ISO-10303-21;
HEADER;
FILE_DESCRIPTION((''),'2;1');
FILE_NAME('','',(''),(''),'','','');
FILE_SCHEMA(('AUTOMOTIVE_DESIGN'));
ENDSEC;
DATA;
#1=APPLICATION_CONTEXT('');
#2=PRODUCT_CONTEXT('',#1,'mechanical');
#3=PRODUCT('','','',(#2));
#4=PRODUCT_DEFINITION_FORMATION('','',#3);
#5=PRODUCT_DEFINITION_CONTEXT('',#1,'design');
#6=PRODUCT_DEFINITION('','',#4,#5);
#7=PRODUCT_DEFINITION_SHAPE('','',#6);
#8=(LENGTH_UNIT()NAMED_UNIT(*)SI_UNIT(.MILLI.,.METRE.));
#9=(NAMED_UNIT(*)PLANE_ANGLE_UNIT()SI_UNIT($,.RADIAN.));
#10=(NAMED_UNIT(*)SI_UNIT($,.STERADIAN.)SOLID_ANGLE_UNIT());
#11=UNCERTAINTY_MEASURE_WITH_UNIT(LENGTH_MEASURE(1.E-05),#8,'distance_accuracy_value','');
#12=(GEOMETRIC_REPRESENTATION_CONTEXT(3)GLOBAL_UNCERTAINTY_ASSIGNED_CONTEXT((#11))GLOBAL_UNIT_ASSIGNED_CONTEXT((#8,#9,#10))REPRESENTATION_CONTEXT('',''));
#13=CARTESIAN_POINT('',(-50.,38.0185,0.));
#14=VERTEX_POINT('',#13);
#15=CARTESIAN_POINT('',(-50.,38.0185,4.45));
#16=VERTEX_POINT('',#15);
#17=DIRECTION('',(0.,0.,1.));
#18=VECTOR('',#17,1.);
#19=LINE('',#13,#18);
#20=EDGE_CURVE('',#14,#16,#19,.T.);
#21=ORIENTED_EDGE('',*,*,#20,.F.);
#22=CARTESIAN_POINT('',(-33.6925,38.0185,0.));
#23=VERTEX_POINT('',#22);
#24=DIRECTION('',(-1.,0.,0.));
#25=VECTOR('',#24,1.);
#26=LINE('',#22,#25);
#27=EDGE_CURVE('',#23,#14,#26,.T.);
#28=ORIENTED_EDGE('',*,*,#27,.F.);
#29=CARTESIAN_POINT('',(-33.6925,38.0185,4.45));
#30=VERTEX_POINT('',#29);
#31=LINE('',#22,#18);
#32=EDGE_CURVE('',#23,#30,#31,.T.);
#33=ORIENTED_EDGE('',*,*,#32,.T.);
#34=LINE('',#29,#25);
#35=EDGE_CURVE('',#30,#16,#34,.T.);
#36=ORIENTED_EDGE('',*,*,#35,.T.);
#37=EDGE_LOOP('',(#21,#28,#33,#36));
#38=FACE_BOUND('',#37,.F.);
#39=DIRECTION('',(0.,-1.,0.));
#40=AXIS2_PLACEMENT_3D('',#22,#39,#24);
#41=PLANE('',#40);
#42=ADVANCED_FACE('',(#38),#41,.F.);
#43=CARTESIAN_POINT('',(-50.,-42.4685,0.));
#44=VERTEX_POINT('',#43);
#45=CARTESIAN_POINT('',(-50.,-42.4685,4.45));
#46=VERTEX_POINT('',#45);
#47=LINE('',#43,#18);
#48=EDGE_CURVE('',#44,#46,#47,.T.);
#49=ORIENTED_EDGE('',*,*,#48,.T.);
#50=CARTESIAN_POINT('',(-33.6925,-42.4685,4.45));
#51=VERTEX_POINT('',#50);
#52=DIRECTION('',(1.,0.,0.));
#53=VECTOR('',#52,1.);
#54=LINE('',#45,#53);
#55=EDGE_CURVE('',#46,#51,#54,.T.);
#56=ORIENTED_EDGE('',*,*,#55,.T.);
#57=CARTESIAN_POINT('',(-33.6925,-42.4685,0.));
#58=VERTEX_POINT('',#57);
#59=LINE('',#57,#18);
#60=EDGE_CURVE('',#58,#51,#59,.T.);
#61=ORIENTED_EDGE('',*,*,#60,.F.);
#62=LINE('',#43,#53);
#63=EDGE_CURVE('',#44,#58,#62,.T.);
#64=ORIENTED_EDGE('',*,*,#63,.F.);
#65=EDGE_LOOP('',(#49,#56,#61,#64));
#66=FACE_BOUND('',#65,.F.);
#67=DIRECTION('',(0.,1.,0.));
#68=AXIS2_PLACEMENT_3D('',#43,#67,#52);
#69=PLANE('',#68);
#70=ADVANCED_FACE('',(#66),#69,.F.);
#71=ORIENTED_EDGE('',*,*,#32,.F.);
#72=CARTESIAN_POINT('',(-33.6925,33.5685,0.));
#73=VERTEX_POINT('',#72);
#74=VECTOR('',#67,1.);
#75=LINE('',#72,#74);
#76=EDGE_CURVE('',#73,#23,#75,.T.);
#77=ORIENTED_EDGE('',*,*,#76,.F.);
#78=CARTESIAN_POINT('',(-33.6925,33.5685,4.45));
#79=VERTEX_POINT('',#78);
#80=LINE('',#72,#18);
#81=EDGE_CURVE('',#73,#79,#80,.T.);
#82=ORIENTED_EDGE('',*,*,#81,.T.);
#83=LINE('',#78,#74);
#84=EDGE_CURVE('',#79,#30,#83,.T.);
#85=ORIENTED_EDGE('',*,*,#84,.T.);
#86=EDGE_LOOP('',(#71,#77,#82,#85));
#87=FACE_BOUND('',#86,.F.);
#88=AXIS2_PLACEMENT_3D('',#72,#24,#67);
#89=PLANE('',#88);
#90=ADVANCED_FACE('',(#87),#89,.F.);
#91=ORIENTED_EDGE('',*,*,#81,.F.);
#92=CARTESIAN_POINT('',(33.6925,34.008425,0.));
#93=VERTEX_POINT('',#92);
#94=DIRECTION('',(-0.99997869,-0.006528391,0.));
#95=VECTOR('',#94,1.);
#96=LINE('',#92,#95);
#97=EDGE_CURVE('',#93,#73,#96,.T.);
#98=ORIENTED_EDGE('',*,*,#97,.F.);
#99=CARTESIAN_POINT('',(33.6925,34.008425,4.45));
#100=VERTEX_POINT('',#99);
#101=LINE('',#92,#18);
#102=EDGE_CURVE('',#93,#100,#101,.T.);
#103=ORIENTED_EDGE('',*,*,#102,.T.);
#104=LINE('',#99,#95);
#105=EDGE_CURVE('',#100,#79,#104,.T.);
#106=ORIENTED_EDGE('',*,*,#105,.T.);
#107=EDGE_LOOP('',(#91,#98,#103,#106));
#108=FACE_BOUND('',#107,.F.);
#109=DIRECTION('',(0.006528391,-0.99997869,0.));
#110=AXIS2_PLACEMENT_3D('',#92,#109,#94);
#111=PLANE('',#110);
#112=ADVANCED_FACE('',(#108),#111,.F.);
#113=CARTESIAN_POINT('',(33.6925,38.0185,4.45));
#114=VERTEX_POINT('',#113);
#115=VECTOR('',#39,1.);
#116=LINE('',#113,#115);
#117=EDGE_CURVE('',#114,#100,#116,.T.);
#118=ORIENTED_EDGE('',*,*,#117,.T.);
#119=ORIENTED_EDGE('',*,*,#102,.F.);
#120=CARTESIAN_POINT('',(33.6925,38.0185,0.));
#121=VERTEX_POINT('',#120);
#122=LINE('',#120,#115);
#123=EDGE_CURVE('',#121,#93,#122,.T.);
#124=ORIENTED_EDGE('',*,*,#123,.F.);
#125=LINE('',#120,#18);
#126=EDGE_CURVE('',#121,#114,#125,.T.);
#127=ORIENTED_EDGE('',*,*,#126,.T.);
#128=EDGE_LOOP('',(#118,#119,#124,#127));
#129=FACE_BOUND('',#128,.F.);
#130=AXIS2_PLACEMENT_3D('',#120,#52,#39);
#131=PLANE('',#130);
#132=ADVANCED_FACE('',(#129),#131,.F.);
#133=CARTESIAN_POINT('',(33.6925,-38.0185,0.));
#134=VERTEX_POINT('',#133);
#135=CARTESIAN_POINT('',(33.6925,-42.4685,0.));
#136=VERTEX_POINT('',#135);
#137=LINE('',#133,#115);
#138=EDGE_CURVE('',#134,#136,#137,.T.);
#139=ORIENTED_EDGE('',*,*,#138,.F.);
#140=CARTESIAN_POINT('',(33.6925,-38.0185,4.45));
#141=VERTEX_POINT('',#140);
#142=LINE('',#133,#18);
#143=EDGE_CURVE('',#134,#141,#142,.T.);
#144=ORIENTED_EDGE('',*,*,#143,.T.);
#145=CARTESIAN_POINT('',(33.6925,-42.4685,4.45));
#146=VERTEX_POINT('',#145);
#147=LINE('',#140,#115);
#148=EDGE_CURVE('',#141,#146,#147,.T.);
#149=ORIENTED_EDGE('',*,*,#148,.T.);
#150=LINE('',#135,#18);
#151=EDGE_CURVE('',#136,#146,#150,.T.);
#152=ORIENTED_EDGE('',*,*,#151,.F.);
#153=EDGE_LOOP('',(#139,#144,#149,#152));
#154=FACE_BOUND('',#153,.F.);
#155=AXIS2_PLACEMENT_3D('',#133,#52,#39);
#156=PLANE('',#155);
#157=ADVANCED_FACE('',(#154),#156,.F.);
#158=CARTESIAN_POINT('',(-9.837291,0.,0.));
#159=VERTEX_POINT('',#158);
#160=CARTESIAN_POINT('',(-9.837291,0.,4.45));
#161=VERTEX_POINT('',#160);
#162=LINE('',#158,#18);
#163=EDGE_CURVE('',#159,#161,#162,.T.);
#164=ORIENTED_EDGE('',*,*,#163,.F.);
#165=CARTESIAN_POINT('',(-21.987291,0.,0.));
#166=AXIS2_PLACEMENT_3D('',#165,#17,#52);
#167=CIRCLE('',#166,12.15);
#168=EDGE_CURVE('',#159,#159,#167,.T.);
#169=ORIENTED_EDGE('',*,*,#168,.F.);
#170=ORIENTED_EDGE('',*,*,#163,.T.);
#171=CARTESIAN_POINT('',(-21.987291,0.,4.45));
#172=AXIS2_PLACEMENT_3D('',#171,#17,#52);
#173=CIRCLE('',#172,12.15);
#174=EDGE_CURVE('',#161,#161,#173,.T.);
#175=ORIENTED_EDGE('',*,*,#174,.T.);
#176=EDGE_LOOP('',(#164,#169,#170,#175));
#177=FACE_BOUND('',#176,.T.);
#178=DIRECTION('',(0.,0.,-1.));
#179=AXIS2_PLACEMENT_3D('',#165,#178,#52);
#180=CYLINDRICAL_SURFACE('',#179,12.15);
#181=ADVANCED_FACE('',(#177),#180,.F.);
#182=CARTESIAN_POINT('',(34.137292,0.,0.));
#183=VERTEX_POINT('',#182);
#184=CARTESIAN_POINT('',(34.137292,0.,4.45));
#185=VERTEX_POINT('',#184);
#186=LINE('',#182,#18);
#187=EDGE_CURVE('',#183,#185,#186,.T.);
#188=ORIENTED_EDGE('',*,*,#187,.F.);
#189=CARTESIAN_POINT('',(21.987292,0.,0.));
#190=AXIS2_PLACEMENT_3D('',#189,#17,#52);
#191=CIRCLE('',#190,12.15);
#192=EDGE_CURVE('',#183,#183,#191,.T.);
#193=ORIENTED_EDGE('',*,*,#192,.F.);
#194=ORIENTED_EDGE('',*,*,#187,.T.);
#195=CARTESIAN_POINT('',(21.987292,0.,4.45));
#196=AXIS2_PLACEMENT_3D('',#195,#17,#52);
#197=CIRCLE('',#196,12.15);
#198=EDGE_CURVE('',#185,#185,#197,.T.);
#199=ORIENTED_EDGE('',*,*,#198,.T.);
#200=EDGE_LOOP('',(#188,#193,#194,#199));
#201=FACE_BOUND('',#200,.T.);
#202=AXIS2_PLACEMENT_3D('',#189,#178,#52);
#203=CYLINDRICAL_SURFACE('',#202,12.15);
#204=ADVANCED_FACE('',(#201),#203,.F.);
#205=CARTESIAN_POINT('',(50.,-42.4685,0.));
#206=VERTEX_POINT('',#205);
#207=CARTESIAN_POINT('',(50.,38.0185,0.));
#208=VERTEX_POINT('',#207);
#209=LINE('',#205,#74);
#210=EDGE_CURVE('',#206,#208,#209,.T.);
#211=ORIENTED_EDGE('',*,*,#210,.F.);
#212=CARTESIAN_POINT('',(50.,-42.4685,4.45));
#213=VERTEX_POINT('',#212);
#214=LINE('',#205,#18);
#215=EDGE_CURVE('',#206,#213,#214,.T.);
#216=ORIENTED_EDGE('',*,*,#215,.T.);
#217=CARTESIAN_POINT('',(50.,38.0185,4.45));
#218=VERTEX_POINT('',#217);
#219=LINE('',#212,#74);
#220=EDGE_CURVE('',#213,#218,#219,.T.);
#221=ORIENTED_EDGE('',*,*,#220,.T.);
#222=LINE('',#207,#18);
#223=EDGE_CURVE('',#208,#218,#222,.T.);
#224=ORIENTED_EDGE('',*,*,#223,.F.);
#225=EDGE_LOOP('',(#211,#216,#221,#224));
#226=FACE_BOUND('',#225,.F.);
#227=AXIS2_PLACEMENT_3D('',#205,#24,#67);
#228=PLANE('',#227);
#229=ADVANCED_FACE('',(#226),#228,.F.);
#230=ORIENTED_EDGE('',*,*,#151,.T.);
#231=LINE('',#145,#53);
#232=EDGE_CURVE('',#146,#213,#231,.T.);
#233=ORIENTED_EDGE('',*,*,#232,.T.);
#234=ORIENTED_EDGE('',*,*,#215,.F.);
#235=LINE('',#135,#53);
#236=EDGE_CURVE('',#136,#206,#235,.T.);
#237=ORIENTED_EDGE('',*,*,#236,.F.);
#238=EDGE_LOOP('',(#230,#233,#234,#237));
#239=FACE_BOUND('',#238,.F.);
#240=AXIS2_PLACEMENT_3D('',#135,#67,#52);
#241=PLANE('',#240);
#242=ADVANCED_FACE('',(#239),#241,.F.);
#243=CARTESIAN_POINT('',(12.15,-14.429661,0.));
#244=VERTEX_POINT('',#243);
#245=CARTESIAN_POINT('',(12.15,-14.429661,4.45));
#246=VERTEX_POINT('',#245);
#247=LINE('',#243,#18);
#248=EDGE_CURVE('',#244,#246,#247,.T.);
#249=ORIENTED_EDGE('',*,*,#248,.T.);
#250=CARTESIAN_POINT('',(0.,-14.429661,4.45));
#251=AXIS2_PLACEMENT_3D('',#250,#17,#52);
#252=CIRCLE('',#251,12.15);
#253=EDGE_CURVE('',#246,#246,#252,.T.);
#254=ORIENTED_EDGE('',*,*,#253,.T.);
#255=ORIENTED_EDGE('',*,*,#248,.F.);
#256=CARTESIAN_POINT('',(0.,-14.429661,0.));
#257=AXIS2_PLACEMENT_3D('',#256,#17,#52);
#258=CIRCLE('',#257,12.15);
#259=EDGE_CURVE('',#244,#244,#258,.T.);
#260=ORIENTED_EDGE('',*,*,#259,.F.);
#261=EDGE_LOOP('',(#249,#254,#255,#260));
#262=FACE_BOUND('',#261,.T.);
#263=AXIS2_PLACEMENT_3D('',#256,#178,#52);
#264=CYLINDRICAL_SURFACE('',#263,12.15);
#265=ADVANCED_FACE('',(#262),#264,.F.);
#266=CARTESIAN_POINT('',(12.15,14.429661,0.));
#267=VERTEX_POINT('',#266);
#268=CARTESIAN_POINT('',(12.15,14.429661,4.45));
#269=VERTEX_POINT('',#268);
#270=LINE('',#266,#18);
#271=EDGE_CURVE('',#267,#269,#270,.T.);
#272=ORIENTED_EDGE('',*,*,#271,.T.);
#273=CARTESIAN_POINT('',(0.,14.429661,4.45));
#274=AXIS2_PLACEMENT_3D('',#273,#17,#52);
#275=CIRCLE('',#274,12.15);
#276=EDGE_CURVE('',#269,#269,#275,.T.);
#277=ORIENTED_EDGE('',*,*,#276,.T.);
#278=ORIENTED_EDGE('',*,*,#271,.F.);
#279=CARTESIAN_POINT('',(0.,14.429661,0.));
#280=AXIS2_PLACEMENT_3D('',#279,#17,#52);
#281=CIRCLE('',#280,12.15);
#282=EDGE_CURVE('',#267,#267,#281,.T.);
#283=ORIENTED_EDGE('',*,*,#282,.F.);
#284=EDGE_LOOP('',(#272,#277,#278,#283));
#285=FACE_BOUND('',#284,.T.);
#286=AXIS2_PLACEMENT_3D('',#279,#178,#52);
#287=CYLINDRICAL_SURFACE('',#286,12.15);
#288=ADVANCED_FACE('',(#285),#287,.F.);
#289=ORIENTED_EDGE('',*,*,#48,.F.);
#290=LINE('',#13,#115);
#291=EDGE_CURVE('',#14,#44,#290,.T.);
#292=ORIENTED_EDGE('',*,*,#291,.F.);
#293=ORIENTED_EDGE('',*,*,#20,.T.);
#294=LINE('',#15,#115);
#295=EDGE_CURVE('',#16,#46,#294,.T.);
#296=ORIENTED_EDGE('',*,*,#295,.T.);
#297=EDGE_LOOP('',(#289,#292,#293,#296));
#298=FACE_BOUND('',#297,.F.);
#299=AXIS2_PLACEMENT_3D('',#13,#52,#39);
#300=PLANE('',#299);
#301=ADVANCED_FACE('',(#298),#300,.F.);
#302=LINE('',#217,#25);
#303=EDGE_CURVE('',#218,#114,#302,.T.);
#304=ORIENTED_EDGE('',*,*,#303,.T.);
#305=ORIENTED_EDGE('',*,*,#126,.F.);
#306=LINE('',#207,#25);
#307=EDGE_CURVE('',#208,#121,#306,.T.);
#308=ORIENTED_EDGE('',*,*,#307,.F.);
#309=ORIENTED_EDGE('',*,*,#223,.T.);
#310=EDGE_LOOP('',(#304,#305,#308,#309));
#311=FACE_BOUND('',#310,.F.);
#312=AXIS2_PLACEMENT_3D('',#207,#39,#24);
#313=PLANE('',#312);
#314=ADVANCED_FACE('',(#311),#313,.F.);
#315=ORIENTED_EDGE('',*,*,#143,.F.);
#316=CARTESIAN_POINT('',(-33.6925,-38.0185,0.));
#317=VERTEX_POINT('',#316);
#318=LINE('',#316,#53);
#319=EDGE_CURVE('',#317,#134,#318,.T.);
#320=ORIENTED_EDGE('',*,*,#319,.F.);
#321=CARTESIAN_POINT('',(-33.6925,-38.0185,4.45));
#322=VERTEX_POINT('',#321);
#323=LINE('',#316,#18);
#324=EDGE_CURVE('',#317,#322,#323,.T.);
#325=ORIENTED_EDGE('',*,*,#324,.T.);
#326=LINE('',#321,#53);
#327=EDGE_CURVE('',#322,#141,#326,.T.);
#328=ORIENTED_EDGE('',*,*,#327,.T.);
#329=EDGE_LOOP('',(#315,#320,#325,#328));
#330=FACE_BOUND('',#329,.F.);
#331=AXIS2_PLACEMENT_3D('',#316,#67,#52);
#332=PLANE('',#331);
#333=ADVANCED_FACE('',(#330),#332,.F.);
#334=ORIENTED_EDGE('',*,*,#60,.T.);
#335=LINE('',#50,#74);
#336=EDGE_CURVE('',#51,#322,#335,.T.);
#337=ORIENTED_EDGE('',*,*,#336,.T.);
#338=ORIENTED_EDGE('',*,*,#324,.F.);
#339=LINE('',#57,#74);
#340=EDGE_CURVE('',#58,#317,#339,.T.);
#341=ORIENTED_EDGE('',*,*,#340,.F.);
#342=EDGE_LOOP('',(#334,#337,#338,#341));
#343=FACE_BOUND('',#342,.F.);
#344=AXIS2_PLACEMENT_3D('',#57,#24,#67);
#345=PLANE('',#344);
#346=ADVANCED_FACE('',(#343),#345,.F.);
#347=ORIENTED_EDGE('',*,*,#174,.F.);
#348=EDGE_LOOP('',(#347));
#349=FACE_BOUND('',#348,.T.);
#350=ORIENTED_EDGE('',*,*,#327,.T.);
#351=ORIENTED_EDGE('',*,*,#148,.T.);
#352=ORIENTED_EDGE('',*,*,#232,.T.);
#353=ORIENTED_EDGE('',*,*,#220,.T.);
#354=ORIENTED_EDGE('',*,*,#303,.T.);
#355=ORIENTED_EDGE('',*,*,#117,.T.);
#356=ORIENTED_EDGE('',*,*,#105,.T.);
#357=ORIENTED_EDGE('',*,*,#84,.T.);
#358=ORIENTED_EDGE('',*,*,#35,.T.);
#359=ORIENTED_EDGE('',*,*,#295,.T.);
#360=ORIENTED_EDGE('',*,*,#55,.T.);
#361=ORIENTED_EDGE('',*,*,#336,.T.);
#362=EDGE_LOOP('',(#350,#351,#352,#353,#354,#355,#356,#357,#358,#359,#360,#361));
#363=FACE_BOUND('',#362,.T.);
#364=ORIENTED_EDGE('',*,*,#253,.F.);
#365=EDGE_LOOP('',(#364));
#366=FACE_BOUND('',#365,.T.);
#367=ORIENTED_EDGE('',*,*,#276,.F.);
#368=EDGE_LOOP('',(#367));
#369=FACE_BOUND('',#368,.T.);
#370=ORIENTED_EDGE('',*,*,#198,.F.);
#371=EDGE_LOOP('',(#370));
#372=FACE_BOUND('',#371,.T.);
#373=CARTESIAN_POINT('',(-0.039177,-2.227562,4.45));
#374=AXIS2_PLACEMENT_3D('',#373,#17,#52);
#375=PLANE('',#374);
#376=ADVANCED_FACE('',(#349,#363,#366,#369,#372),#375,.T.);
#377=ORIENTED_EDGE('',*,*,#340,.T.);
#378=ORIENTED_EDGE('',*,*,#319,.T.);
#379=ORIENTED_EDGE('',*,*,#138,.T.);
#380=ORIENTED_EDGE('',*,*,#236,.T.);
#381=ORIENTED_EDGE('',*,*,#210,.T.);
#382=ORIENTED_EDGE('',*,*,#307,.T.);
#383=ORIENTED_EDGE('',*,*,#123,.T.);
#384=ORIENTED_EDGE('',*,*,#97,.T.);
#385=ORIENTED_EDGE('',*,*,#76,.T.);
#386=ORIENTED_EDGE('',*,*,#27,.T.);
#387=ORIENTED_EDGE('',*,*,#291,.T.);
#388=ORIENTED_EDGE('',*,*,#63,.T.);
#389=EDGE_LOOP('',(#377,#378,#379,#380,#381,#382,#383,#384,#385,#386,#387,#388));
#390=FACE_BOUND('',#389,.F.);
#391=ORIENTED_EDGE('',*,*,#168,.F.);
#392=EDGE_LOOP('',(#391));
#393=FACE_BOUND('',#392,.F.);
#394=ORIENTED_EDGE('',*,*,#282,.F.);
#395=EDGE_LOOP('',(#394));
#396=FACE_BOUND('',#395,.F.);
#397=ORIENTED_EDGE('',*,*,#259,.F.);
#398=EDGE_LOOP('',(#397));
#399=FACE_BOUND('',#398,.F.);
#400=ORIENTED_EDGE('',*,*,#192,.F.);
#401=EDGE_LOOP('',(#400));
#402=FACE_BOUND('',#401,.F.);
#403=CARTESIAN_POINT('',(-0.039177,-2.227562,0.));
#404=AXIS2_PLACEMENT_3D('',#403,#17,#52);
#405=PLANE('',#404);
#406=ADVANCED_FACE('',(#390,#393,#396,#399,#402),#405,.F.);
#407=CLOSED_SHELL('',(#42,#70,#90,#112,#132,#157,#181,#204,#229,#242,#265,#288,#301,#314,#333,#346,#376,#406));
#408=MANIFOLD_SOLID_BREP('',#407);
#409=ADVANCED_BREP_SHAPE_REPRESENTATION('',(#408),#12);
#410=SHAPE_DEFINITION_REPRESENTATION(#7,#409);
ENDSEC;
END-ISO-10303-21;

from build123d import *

# Parameters (mm, degrees)
F0_R     = 12.15
F1_DEPTH = 4.45


with BuildPart() as f1:
    # F0 (on Top) → F1 (new body)
    with BuildSketch(Plane.XY):
        Polygon((50, -33.5685), (50, -16.64242), (50, 16.64242), (50, 33.5685), (50, 34.008425), (50, 38.0185), (33.6925, 38.0185), (33.6925, 34.008425), (-33.6925, 33.5685), (-33.6925, 38.0185), (-50, 38.0185), (-50, 33.5685), (-50, 16.64242), (-50, -16.64242), (-50, -33.5685), (-50, -38.0185), (-50, -42.4685), (-33.6925, -42.4685), (-33.6925, -38.0185), (33.6925, -38.0185), (33.6925, -42.4685), (50, -42.4685), (50, -38.0185), align=None)
        with Locations((0, -14.429661)):
            Circle(F0_R, mode=Mode.SUBTRACT)
        with Locations((-21.987291, 0)):
            Circle(F0_R, mode=Mode.SUBTRACT)
        with Locations((21.987292, 0)):
            Circle(F0_R, mode=Mode.SUBTRACT)
        with Locations((0, 14.429661)):
            Circle(F0_R, mode=Mode.SUBTRACT)
    extrude(amount=F1_DEPTH)


solid = f1.part
